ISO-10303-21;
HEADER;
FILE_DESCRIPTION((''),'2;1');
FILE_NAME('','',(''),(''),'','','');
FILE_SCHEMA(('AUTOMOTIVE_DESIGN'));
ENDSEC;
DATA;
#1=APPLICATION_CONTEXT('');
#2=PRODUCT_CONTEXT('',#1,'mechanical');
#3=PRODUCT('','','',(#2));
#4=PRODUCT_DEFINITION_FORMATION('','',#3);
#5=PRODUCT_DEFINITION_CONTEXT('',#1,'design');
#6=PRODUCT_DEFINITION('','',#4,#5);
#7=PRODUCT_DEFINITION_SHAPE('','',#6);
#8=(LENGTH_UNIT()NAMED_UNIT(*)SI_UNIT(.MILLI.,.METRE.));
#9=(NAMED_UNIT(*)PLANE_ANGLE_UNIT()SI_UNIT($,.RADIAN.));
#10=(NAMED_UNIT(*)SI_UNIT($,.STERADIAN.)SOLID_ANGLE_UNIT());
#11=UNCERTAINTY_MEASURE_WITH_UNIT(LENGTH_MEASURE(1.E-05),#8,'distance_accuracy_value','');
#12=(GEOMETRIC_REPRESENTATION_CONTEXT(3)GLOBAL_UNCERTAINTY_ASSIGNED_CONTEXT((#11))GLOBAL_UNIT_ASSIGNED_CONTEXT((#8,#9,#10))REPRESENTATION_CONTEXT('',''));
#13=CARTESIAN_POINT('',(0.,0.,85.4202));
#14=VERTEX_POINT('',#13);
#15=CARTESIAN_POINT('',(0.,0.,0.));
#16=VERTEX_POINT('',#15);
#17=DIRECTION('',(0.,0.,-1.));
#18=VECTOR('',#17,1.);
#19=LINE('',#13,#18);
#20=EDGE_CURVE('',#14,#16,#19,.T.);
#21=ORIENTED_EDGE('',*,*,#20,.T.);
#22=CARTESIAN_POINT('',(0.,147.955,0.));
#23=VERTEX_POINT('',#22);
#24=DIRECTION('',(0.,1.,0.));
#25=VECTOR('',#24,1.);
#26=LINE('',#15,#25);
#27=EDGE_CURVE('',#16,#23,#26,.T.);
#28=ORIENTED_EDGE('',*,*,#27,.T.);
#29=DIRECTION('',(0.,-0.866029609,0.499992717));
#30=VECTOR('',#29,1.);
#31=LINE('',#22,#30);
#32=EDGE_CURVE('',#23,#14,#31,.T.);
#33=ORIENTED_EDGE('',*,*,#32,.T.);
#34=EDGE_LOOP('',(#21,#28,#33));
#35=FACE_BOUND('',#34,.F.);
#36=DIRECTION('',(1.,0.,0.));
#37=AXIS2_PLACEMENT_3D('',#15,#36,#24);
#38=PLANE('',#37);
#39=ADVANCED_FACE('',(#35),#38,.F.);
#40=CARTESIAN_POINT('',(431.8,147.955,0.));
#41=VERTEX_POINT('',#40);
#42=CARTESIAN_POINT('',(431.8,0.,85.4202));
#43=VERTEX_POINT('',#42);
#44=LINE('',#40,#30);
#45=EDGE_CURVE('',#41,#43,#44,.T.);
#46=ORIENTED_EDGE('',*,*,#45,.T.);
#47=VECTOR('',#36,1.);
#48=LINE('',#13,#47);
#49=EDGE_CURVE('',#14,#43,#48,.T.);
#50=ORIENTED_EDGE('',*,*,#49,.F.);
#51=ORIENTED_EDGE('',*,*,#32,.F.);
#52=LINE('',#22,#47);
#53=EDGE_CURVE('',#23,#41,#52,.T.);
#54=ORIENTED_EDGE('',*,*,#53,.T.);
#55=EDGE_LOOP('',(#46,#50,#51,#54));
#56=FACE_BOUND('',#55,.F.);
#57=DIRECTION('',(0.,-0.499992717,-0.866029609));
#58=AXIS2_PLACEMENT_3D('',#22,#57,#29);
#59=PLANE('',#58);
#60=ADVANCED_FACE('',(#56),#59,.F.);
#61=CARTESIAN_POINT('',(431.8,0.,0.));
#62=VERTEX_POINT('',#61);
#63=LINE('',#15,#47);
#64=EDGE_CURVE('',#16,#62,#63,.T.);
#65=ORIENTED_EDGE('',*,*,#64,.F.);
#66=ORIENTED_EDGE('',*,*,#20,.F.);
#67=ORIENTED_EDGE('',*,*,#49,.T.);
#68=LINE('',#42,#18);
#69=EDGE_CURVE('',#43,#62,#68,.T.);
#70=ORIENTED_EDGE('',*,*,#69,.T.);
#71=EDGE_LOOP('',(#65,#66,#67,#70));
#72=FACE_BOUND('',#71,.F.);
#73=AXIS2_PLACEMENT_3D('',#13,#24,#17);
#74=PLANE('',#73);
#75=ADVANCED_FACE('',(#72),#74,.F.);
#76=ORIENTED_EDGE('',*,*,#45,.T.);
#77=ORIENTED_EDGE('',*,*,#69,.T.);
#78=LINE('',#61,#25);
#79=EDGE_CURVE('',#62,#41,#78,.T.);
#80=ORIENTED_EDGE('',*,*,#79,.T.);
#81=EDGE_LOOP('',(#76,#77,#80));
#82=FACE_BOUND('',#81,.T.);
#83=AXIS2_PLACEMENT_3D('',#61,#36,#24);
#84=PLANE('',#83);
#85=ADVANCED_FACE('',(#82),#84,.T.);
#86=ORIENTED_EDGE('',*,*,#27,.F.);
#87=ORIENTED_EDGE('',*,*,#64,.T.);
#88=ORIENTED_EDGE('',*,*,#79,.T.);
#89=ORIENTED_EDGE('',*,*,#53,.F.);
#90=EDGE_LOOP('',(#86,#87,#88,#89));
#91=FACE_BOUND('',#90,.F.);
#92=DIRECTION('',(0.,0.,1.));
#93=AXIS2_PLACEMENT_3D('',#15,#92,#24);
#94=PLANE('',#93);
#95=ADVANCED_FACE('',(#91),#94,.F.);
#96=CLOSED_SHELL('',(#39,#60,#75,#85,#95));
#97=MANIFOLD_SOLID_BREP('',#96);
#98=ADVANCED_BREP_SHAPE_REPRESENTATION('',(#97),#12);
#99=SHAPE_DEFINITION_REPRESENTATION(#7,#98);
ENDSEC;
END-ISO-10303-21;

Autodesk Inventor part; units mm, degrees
ref_plane "YZ Plane" through (0, 0, 0) normal (1, 0, 0) x (0, 1, 0)
ref_plane "XZ Plane" through (0, 0, 0) normal (0, 1, 0) x (-1, 0, 0)
ref_plane "XY Plane" through (0, 0, 0) normal (0, 0, 1) x (1, 0, 0)
sketch "Sketch1" plane through (0, 0, 0) normal (1, 0, 0) x (0, 1, 0)
  line L0 (0, 0) -> (147.955, 0)
  line L1 (147.955, 0) -> (0, 85.4202)
  line L2 (0, 85.4202) -> (0, 0)
  dimension "d0" = 85.4202
  dimension "d1" = 147.955
extrude "Extrusion1" add sketch "Sketch1" along normal blind 431.8
properties part number "Pickup ramp Idea"
